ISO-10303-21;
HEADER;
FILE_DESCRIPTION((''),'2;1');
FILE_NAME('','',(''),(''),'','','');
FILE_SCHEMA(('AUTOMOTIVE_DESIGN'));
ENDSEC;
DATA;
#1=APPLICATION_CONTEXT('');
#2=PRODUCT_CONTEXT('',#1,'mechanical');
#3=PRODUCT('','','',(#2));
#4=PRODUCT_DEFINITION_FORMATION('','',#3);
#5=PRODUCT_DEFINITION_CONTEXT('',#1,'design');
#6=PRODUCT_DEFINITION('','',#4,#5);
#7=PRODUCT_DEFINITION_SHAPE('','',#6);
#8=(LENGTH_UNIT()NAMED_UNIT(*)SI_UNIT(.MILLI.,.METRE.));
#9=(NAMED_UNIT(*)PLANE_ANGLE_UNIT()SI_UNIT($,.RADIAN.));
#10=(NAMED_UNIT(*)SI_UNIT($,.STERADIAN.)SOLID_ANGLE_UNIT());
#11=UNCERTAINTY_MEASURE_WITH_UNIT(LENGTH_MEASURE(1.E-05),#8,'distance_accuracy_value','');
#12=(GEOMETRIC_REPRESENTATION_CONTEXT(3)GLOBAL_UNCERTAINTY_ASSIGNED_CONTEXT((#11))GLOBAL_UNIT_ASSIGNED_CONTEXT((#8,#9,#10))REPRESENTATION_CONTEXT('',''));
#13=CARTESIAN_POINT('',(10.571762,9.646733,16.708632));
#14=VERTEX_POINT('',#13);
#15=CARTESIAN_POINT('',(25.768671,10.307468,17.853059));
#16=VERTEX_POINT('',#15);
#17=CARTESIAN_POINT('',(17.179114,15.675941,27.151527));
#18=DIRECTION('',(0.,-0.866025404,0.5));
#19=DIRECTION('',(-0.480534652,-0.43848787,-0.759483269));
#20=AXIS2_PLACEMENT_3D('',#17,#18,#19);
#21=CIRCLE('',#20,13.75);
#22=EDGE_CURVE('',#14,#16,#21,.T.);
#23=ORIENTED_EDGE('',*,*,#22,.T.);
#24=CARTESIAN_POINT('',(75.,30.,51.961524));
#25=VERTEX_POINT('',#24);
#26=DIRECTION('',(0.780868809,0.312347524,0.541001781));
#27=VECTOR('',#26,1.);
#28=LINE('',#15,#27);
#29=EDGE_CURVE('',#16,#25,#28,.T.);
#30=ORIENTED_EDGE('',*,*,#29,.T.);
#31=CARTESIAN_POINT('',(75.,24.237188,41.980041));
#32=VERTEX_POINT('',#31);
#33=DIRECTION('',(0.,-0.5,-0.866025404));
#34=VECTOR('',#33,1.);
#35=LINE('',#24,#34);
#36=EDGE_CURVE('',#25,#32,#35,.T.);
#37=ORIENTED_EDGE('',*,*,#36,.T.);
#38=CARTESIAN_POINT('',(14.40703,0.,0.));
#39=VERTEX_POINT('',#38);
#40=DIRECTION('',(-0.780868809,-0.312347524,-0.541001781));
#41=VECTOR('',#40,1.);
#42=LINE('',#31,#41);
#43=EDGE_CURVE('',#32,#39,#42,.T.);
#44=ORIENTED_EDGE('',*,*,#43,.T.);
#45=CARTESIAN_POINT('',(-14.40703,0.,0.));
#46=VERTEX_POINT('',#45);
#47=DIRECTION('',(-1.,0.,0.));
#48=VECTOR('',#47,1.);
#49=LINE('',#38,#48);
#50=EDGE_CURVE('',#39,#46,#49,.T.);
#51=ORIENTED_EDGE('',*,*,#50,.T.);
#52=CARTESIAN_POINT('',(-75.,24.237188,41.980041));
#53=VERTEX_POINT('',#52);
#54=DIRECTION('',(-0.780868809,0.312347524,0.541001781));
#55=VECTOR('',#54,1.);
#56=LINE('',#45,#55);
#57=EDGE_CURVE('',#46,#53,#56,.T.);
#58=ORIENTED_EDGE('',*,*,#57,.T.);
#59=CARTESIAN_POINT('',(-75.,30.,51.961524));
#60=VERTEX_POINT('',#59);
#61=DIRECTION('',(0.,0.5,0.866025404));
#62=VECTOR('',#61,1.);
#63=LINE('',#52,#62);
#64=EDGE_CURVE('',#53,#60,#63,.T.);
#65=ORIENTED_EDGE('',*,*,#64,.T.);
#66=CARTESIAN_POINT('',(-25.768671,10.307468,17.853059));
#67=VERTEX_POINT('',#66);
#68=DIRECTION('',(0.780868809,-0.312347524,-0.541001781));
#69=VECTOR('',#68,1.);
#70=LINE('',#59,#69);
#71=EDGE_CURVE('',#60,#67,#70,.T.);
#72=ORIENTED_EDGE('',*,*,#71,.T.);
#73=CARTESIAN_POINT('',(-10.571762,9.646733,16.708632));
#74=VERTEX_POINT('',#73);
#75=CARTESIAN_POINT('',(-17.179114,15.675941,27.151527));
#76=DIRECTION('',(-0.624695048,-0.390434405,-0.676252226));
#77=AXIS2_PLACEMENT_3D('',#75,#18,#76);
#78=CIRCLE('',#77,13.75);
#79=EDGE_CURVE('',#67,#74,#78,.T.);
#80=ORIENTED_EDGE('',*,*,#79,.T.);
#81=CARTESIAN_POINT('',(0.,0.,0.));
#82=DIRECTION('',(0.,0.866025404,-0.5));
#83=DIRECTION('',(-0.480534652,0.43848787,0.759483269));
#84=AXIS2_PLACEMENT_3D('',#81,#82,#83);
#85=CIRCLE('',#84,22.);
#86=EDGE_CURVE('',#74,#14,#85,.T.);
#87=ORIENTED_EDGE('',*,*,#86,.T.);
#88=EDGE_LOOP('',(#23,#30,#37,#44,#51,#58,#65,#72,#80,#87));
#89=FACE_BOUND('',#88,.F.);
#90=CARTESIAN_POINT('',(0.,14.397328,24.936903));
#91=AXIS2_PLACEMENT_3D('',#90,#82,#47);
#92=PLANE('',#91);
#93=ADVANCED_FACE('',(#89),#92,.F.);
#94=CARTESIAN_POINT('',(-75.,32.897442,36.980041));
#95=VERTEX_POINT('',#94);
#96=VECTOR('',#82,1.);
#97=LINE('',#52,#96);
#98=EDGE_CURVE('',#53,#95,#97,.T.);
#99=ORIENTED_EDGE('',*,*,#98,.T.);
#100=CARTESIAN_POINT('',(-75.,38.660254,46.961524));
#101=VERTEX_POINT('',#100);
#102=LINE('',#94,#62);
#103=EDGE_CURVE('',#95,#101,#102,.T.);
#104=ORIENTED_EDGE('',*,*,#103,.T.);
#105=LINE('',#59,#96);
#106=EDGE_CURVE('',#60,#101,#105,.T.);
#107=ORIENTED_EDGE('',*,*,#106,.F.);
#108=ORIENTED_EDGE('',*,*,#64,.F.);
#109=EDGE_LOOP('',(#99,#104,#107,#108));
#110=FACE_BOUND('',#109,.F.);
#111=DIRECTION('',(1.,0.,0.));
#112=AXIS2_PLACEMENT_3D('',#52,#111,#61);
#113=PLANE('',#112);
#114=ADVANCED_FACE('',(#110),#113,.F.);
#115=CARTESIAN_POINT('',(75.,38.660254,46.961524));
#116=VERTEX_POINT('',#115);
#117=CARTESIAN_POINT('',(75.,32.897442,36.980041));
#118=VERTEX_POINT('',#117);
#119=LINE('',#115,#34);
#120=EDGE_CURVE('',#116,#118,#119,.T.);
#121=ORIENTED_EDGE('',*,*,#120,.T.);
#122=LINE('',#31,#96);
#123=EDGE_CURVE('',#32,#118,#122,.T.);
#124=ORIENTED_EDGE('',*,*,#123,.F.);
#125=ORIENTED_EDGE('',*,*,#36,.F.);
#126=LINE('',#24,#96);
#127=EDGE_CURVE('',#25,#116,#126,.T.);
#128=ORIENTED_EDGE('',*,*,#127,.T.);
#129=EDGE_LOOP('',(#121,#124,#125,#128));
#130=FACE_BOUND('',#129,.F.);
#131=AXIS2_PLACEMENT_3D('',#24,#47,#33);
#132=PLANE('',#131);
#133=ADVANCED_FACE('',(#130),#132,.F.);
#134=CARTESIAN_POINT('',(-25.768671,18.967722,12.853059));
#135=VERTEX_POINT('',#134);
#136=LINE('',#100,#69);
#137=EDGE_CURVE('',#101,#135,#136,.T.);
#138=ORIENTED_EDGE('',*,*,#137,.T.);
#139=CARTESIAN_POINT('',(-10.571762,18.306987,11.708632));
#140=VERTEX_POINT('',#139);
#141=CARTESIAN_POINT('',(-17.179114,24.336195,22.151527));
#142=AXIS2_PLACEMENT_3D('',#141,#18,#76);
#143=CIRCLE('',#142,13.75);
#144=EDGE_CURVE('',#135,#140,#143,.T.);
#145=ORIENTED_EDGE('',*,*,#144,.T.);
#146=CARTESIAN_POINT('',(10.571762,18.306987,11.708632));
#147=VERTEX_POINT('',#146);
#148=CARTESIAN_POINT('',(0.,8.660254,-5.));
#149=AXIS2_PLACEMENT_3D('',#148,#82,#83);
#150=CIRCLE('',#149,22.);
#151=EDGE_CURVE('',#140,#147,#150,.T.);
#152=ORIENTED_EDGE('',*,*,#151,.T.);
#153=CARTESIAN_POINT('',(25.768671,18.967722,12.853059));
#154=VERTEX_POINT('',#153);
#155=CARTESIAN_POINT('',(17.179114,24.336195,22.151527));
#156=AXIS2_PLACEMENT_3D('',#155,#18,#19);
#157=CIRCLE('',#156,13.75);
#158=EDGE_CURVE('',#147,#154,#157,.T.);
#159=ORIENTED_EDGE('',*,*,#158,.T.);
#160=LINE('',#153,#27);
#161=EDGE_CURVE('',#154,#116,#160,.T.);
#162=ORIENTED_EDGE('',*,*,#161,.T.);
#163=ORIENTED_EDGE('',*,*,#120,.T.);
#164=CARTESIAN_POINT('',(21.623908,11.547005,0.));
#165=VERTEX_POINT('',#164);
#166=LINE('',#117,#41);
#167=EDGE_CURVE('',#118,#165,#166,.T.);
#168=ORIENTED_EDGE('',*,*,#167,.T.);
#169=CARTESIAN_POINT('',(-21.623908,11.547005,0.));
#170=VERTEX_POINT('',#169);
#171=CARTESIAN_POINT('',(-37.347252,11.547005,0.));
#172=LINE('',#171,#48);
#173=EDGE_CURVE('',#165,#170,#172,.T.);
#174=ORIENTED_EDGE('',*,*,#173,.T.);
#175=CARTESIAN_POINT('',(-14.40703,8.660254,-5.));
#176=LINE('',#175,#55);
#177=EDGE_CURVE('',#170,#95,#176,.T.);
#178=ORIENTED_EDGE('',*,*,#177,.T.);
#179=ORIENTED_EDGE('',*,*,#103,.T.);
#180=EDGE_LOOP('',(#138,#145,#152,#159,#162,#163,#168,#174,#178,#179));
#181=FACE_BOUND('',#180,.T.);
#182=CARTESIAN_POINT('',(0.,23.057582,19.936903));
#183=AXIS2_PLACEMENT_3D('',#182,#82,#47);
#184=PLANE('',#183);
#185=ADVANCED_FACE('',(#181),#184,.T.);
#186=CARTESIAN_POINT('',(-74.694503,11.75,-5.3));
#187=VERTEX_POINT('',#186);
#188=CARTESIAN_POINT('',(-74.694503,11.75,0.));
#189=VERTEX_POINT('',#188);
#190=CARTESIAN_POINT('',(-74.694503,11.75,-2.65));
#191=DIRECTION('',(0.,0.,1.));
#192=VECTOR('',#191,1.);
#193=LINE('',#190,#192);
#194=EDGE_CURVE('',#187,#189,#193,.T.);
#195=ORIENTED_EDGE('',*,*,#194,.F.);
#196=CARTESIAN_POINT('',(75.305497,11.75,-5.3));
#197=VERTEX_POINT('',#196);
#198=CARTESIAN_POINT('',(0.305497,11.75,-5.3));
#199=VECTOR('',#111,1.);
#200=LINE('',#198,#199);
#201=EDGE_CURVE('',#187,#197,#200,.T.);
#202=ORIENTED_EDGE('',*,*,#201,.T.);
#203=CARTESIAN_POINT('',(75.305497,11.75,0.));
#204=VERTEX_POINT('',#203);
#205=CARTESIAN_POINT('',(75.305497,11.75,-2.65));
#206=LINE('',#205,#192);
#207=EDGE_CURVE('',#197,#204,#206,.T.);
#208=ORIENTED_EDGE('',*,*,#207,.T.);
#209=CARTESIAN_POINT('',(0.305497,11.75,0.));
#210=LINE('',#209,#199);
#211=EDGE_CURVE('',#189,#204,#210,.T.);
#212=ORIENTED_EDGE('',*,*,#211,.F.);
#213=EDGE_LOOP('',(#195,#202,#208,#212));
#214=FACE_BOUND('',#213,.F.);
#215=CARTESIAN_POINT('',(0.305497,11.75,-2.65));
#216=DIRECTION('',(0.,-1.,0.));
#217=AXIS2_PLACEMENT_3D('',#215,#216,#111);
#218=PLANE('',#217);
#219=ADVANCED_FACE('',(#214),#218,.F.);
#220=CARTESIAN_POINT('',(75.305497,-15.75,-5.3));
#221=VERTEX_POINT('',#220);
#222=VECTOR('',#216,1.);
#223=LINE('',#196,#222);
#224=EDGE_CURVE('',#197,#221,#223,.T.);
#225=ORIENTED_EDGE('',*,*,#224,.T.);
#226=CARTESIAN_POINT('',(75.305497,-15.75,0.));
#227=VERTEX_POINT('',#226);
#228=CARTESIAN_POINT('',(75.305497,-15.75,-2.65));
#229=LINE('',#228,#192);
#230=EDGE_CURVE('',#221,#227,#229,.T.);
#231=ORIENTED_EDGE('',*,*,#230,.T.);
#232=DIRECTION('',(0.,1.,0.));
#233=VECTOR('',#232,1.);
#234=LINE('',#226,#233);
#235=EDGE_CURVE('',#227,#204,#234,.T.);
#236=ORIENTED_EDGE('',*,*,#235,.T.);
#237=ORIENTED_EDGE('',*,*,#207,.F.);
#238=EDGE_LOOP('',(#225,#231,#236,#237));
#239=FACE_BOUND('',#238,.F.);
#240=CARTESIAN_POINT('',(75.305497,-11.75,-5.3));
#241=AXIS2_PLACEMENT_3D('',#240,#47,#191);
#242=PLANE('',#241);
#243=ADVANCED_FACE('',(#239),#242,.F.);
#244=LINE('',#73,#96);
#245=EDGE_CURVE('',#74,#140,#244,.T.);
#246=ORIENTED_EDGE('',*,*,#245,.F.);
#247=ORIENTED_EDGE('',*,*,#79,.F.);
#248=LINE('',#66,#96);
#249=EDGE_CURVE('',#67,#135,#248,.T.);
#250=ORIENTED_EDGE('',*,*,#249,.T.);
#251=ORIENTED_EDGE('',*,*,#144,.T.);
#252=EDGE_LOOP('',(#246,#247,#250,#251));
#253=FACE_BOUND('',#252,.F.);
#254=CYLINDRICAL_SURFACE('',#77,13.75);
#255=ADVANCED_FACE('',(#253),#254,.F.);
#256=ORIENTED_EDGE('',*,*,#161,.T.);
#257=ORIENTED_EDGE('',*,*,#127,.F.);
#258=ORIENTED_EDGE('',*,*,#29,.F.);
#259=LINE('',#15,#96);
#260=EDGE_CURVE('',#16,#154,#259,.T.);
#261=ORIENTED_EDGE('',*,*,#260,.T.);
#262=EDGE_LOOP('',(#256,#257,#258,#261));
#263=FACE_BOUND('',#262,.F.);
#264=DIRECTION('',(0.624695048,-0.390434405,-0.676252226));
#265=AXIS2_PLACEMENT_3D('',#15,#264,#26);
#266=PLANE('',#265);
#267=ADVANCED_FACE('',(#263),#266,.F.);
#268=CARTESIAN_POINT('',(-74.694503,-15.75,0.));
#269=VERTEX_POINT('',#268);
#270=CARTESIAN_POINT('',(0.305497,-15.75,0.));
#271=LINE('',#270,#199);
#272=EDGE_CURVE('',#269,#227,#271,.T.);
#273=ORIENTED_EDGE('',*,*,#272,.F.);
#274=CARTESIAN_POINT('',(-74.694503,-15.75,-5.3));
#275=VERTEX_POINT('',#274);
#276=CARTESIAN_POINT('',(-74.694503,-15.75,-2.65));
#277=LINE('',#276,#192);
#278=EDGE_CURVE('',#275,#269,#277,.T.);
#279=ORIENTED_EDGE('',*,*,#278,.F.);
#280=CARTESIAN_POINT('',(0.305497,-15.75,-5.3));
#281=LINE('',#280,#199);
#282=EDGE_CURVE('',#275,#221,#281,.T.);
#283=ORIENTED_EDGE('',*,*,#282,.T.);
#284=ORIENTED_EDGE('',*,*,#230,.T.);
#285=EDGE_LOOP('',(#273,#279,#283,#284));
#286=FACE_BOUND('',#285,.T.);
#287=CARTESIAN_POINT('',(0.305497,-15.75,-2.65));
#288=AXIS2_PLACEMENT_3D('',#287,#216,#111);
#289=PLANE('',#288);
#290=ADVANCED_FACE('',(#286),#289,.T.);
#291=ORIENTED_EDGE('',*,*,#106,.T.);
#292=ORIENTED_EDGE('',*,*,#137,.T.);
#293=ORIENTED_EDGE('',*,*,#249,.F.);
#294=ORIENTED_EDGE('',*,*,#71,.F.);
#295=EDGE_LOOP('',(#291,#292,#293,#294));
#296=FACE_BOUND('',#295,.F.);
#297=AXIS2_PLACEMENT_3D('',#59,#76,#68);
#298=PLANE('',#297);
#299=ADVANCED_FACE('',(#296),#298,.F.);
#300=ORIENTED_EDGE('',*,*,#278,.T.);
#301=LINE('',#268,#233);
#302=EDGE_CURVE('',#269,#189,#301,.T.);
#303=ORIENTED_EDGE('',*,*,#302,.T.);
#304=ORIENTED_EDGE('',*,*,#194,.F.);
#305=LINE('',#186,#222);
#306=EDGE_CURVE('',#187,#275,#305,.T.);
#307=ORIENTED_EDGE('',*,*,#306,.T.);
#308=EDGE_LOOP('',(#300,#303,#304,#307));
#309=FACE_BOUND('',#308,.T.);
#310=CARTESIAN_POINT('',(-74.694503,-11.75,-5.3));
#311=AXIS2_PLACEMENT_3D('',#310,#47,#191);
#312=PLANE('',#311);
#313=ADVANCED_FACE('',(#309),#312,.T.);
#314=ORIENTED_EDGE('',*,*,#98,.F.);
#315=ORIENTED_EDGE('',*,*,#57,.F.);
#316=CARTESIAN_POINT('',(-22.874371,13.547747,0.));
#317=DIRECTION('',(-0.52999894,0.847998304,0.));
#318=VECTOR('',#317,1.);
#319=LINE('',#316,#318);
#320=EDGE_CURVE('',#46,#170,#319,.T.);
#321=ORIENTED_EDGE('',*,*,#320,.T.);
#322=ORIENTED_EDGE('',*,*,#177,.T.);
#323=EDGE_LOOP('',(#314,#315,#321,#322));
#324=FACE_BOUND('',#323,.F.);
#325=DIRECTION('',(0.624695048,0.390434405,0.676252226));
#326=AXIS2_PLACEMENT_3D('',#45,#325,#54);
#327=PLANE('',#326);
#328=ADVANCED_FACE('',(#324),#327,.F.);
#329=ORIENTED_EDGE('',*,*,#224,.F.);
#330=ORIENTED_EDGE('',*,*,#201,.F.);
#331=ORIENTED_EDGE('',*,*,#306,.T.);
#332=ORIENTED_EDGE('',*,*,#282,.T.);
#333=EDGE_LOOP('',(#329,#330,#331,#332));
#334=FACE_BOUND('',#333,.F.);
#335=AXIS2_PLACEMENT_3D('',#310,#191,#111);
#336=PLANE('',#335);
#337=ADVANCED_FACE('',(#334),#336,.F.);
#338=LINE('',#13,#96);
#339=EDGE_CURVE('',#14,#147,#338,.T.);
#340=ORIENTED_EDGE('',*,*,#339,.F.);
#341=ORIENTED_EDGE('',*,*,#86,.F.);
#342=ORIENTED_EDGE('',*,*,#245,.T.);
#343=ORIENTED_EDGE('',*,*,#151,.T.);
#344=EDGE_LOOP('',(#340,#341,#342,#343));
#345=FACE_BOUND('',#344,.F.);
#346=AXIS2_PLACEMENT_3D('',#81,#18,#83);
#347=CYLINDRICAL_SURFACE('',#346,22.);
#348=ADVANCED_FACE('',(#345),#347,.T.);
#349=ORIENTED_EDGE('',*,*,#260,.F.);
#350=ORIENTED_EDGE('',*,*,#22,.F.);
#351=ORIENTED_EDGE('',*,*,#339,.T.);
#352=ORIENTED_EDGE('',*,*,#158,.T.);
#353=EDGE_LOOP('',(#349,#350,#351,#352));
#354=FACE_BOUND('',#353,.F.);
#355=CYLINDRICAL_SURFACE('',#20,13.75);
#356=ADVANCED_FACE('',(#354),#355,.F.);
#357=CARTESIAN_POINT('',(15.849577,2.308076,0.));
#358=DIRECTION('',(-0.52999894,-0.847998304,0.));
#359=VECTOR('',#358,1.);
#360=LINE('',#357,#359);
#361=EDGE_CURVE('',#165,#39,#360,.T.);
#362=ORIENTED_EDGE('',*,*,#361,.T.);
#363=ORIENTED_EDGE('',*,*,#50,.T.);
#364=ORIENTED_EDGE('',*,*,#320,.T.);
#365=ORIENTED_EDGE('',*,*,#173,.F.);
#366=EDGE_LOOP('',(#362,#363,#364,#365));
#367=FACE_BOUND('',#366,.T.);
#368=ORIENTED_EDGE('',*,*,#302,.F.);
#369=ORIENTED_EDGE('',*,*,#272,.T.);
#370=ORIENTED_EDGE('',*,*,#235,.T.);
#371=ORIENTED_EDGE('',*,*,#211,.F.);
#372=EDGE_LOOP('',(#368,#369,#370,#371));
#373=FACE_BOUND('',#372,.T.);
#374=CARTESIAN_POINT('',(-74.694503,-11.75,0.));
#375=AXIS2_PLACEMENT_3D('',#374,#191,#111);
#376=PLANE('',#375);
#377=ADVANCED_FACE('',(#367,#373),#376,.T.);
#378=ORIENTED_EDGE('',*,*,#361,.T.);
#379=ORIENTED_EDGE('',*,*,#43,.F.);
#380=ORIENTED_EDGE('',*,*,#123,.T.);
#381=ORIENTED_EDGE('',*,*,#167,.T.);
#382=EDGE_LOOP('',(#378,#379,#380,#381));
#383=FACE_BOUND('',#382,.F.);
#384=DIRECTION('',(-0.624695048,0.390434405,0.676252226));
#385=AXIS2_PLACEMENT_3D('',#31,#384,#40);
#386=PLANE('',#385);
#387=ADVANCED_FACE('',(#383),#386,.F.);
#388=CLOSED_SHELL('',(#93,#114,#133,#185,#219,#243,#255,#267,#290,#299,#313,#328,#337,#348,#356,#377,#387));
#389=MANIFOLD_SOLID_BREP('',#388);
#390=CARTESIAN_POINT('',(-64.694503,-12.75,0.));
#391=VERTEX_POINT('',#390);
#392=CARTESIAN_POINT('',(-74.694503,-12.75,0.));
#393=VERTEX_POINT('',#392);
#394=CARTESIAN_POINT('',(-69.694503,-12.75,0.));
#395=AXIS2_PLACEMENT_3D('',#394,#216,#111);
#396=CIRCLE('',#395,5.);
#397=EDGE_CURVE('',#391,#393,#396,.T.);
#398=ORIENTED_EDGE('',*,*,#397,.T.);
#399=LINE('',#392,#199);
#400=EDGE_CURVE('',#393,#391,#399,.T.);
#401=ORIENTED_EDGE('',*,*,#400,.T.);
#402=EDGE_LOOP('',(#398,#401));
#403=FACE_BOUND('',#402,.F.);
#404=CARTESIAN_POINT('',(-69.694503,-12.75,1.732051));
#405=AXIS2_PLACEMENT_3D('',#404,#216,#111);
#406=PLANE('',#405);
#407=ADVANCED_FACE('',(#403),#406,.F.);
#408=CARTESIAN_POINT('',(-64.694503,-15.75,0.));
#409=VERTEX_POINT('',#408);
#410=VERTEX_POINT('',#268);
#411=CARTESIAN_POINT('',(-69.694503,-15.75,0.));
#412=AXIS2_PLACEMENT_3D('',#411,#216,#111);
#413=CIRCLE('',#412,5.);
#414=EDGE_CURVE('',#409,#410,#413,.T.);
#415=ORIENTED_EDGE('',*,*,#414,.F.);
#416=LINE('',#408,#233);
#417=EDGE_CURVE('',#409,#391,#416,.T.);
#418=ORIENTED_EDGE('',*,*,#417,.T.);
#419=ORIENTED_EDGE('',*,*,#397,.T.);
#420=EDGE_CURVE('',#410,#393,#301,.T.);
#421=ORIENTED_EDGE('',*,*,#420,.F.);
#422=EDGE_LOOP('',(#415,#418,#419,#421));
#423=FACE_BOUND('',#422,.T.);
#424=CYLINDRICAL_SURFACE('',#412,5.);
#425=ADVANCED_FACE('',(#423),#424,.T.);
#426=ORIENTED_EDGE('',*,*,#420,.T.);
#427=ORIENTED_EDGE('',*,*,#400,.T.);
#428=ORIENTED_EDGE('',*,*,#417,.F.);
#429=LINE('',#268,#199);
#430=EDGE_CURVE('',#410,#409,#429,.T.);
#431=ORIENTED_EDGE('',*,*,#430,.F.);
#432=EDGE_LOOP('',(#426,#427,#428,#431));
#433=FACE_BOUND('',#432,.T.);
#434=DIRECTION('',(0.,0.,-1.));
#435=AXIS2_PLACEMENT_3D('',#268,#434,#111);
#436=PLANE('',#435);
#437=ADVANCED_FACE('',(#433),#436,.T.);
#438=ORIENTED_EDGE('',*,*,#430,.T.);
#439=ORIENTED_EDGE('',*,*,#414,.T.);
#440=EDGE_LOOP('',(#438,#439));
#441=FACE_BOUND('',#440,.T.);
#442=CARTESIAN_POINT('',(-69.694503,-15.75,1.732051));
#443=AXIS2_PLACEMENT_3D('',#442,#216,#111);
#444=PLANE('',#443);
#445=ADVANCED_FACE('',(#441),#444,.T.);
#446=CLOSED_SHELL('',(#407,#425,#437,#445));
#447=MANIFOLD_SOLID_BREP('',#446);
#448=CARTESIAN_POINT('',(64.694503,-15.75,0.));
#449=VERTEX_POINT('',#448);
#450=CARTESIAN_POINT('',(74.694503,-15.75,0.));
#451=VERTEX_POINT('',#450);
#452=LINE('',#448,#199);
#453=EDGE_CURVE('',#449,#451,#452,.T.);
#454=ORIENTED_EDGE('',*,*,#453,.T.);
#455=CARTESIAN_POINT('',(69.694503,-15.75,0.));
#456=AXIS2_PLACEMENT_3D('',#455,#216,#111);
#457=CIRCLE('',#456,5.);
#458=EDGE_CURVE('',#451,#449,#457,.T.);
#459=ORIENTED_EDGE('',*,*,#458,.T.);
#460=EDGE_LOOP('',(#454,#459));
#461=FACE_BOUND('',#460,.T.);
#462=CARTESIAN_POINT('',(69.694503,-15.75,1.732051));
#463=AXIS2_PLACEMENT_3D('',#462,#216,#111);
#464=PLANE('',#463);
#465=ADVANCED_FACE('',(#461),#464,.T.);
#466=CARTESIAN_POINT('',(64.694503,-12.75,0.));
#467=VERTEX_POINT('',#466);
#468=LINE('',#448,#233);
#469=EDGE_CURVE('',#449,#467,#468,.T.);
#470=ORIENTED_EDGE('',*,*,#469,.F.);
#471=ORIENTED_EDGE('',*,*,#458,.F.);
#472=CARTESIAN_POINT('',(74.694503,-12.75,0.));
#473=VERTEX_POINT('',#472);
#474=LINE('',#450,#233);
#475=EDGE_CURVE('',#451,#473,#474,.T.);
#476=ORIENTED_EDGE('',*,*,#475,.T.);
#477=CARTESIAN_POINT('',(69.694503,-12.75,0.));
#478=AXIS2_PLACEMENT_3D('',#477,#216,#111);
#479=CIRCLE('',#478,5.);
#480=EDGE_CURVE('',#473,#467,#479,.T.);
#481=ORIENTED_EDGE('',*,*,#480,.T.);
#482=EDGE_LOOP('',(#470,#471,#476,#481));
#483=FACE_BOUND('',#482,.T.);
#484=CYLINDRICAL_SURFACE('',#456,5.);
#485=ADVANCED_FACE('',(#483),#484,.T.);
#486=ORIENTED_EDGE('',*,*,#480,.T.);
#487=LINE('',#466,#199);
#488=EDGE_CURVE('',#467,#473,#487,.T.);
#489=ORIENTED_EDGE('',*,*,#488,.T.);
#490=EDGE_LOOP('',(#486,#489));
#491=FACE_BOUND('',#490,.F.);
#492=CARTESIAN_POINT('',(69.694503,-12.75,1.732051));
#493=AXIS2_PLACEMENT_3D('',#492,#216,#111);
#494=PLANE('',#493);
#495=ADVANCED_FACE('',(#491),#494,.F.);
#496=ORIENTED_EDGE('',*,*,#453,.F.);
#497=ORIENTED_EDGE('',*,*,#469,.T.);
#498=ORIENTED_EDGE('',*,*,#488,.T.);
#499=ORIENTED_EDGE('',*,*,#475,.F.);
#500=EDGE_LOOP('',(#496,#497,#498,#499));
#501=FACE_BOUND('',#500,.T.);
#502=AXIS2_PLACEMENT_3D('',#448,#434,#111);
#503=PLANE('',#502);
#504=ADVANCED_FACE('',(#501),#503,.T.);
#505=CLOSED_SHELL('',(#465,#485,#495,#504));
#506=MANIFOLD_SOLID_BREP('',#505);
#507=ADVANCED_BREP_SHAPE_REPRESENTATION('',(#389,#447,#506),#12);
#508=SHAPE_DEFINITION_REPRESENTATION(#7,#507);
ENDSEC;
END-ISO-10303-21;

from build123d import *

# Parameters (mm, degrees)
F3_DEPTH = 10
F4_W     = 150
F4_H     = 5.3
F5_DEPTH = 11.75
F6_W     = 150
F6_H     = 5.3
F7_DEPTH = 4
F9_DEPTH = 3


with BuildPart() as f3:
    # F2 (on face) → F3 (new body)
    with BuildSketch(Plane(origin=(0, 0, 0), x_dir=(-1, 0, 0), z_dir=(0, 0.8660254038, -0.5))):
        with BuildLine():
            ThreePointArc((-10.5717623432, 19.2934662764), (-18.3702710328, 17.6535746114), (-25.7686707116, 20.6149365693))
            Line((-25.7686707116, 20.6149365693), (-75, 60))
            Line((-75, 60), (-75, 48.4743763726))
            Line((-75, 48.4743763726), (-14.4070295342, 0))
            Line((-14.4070295342, 0), (0, 0))
            Line((0, 0), (14.4070295342, 0))
            Line((14.4070295342, 0), (75, 48.4743763726))
            Line((75, 48.4743763726), (75, 60))
            Line((75, 60), (25.7686707116, 20.6149365693))
            ThreePointArc((25.7686707116, 20.6149365693), (18.3702710328, 17.6535746114), (10.5717623432, 19.2934662764))
            ThreePointArc((10.5717623432, 19.2934662764), (0, 22), (-10.5717623432, 19.2934662764))
        make_face()
    extrude(amount=F3_DEPTH)

    # F4 (on Front) → F5 (join, symmetric)
    with BuildSketch(Plane.XZ):
        with Locations((0.3054966368, -2.65)):
            Rectangle(F4_W, F4_H)
    extrude(amount=F5_DEPTH, both=True)

    # F6 (on face) → F7 (join)
    with BuildSketch(Plane.XZ.offset(11.75)):
        with Locations((0.3054966368, -2.65)):
            Rectangle(F6_W, F6_H)
    extrude(amount=F7_DEPTH)


with BuildPart() as f9:
    # F8 (on face) → F9 (new body)
    with BuildSketch(Plane.XZ.offset(15.75)):
        with BuildLine():
            ThreePointArc((-64.6945033632, 0), (-69.6945033632, 5), (-74.6945033632, 0))
            Line((-74.6945033632, 0), (-64.6945033632, 0))
        make_face()
    extrude(amount=-F9_DEPTH)


with BuildPart() as f9b:
    # F8 (on face) → F9, piece 2 (new body)
    with BuildSketch(Plane.XZ.offset(15.75)):
        with BuildLine():
            ThreePointArc((74.6945033632, 0), (69.6945033632, 5), (64.6945033632, 0))
            Line((64.6945033632, 0), (74.6945033632, 0))
        make_face()
    extrude(amount=-F9_DEPTH)


solid = Compound([f3.part, f9.part, f9b.part])
